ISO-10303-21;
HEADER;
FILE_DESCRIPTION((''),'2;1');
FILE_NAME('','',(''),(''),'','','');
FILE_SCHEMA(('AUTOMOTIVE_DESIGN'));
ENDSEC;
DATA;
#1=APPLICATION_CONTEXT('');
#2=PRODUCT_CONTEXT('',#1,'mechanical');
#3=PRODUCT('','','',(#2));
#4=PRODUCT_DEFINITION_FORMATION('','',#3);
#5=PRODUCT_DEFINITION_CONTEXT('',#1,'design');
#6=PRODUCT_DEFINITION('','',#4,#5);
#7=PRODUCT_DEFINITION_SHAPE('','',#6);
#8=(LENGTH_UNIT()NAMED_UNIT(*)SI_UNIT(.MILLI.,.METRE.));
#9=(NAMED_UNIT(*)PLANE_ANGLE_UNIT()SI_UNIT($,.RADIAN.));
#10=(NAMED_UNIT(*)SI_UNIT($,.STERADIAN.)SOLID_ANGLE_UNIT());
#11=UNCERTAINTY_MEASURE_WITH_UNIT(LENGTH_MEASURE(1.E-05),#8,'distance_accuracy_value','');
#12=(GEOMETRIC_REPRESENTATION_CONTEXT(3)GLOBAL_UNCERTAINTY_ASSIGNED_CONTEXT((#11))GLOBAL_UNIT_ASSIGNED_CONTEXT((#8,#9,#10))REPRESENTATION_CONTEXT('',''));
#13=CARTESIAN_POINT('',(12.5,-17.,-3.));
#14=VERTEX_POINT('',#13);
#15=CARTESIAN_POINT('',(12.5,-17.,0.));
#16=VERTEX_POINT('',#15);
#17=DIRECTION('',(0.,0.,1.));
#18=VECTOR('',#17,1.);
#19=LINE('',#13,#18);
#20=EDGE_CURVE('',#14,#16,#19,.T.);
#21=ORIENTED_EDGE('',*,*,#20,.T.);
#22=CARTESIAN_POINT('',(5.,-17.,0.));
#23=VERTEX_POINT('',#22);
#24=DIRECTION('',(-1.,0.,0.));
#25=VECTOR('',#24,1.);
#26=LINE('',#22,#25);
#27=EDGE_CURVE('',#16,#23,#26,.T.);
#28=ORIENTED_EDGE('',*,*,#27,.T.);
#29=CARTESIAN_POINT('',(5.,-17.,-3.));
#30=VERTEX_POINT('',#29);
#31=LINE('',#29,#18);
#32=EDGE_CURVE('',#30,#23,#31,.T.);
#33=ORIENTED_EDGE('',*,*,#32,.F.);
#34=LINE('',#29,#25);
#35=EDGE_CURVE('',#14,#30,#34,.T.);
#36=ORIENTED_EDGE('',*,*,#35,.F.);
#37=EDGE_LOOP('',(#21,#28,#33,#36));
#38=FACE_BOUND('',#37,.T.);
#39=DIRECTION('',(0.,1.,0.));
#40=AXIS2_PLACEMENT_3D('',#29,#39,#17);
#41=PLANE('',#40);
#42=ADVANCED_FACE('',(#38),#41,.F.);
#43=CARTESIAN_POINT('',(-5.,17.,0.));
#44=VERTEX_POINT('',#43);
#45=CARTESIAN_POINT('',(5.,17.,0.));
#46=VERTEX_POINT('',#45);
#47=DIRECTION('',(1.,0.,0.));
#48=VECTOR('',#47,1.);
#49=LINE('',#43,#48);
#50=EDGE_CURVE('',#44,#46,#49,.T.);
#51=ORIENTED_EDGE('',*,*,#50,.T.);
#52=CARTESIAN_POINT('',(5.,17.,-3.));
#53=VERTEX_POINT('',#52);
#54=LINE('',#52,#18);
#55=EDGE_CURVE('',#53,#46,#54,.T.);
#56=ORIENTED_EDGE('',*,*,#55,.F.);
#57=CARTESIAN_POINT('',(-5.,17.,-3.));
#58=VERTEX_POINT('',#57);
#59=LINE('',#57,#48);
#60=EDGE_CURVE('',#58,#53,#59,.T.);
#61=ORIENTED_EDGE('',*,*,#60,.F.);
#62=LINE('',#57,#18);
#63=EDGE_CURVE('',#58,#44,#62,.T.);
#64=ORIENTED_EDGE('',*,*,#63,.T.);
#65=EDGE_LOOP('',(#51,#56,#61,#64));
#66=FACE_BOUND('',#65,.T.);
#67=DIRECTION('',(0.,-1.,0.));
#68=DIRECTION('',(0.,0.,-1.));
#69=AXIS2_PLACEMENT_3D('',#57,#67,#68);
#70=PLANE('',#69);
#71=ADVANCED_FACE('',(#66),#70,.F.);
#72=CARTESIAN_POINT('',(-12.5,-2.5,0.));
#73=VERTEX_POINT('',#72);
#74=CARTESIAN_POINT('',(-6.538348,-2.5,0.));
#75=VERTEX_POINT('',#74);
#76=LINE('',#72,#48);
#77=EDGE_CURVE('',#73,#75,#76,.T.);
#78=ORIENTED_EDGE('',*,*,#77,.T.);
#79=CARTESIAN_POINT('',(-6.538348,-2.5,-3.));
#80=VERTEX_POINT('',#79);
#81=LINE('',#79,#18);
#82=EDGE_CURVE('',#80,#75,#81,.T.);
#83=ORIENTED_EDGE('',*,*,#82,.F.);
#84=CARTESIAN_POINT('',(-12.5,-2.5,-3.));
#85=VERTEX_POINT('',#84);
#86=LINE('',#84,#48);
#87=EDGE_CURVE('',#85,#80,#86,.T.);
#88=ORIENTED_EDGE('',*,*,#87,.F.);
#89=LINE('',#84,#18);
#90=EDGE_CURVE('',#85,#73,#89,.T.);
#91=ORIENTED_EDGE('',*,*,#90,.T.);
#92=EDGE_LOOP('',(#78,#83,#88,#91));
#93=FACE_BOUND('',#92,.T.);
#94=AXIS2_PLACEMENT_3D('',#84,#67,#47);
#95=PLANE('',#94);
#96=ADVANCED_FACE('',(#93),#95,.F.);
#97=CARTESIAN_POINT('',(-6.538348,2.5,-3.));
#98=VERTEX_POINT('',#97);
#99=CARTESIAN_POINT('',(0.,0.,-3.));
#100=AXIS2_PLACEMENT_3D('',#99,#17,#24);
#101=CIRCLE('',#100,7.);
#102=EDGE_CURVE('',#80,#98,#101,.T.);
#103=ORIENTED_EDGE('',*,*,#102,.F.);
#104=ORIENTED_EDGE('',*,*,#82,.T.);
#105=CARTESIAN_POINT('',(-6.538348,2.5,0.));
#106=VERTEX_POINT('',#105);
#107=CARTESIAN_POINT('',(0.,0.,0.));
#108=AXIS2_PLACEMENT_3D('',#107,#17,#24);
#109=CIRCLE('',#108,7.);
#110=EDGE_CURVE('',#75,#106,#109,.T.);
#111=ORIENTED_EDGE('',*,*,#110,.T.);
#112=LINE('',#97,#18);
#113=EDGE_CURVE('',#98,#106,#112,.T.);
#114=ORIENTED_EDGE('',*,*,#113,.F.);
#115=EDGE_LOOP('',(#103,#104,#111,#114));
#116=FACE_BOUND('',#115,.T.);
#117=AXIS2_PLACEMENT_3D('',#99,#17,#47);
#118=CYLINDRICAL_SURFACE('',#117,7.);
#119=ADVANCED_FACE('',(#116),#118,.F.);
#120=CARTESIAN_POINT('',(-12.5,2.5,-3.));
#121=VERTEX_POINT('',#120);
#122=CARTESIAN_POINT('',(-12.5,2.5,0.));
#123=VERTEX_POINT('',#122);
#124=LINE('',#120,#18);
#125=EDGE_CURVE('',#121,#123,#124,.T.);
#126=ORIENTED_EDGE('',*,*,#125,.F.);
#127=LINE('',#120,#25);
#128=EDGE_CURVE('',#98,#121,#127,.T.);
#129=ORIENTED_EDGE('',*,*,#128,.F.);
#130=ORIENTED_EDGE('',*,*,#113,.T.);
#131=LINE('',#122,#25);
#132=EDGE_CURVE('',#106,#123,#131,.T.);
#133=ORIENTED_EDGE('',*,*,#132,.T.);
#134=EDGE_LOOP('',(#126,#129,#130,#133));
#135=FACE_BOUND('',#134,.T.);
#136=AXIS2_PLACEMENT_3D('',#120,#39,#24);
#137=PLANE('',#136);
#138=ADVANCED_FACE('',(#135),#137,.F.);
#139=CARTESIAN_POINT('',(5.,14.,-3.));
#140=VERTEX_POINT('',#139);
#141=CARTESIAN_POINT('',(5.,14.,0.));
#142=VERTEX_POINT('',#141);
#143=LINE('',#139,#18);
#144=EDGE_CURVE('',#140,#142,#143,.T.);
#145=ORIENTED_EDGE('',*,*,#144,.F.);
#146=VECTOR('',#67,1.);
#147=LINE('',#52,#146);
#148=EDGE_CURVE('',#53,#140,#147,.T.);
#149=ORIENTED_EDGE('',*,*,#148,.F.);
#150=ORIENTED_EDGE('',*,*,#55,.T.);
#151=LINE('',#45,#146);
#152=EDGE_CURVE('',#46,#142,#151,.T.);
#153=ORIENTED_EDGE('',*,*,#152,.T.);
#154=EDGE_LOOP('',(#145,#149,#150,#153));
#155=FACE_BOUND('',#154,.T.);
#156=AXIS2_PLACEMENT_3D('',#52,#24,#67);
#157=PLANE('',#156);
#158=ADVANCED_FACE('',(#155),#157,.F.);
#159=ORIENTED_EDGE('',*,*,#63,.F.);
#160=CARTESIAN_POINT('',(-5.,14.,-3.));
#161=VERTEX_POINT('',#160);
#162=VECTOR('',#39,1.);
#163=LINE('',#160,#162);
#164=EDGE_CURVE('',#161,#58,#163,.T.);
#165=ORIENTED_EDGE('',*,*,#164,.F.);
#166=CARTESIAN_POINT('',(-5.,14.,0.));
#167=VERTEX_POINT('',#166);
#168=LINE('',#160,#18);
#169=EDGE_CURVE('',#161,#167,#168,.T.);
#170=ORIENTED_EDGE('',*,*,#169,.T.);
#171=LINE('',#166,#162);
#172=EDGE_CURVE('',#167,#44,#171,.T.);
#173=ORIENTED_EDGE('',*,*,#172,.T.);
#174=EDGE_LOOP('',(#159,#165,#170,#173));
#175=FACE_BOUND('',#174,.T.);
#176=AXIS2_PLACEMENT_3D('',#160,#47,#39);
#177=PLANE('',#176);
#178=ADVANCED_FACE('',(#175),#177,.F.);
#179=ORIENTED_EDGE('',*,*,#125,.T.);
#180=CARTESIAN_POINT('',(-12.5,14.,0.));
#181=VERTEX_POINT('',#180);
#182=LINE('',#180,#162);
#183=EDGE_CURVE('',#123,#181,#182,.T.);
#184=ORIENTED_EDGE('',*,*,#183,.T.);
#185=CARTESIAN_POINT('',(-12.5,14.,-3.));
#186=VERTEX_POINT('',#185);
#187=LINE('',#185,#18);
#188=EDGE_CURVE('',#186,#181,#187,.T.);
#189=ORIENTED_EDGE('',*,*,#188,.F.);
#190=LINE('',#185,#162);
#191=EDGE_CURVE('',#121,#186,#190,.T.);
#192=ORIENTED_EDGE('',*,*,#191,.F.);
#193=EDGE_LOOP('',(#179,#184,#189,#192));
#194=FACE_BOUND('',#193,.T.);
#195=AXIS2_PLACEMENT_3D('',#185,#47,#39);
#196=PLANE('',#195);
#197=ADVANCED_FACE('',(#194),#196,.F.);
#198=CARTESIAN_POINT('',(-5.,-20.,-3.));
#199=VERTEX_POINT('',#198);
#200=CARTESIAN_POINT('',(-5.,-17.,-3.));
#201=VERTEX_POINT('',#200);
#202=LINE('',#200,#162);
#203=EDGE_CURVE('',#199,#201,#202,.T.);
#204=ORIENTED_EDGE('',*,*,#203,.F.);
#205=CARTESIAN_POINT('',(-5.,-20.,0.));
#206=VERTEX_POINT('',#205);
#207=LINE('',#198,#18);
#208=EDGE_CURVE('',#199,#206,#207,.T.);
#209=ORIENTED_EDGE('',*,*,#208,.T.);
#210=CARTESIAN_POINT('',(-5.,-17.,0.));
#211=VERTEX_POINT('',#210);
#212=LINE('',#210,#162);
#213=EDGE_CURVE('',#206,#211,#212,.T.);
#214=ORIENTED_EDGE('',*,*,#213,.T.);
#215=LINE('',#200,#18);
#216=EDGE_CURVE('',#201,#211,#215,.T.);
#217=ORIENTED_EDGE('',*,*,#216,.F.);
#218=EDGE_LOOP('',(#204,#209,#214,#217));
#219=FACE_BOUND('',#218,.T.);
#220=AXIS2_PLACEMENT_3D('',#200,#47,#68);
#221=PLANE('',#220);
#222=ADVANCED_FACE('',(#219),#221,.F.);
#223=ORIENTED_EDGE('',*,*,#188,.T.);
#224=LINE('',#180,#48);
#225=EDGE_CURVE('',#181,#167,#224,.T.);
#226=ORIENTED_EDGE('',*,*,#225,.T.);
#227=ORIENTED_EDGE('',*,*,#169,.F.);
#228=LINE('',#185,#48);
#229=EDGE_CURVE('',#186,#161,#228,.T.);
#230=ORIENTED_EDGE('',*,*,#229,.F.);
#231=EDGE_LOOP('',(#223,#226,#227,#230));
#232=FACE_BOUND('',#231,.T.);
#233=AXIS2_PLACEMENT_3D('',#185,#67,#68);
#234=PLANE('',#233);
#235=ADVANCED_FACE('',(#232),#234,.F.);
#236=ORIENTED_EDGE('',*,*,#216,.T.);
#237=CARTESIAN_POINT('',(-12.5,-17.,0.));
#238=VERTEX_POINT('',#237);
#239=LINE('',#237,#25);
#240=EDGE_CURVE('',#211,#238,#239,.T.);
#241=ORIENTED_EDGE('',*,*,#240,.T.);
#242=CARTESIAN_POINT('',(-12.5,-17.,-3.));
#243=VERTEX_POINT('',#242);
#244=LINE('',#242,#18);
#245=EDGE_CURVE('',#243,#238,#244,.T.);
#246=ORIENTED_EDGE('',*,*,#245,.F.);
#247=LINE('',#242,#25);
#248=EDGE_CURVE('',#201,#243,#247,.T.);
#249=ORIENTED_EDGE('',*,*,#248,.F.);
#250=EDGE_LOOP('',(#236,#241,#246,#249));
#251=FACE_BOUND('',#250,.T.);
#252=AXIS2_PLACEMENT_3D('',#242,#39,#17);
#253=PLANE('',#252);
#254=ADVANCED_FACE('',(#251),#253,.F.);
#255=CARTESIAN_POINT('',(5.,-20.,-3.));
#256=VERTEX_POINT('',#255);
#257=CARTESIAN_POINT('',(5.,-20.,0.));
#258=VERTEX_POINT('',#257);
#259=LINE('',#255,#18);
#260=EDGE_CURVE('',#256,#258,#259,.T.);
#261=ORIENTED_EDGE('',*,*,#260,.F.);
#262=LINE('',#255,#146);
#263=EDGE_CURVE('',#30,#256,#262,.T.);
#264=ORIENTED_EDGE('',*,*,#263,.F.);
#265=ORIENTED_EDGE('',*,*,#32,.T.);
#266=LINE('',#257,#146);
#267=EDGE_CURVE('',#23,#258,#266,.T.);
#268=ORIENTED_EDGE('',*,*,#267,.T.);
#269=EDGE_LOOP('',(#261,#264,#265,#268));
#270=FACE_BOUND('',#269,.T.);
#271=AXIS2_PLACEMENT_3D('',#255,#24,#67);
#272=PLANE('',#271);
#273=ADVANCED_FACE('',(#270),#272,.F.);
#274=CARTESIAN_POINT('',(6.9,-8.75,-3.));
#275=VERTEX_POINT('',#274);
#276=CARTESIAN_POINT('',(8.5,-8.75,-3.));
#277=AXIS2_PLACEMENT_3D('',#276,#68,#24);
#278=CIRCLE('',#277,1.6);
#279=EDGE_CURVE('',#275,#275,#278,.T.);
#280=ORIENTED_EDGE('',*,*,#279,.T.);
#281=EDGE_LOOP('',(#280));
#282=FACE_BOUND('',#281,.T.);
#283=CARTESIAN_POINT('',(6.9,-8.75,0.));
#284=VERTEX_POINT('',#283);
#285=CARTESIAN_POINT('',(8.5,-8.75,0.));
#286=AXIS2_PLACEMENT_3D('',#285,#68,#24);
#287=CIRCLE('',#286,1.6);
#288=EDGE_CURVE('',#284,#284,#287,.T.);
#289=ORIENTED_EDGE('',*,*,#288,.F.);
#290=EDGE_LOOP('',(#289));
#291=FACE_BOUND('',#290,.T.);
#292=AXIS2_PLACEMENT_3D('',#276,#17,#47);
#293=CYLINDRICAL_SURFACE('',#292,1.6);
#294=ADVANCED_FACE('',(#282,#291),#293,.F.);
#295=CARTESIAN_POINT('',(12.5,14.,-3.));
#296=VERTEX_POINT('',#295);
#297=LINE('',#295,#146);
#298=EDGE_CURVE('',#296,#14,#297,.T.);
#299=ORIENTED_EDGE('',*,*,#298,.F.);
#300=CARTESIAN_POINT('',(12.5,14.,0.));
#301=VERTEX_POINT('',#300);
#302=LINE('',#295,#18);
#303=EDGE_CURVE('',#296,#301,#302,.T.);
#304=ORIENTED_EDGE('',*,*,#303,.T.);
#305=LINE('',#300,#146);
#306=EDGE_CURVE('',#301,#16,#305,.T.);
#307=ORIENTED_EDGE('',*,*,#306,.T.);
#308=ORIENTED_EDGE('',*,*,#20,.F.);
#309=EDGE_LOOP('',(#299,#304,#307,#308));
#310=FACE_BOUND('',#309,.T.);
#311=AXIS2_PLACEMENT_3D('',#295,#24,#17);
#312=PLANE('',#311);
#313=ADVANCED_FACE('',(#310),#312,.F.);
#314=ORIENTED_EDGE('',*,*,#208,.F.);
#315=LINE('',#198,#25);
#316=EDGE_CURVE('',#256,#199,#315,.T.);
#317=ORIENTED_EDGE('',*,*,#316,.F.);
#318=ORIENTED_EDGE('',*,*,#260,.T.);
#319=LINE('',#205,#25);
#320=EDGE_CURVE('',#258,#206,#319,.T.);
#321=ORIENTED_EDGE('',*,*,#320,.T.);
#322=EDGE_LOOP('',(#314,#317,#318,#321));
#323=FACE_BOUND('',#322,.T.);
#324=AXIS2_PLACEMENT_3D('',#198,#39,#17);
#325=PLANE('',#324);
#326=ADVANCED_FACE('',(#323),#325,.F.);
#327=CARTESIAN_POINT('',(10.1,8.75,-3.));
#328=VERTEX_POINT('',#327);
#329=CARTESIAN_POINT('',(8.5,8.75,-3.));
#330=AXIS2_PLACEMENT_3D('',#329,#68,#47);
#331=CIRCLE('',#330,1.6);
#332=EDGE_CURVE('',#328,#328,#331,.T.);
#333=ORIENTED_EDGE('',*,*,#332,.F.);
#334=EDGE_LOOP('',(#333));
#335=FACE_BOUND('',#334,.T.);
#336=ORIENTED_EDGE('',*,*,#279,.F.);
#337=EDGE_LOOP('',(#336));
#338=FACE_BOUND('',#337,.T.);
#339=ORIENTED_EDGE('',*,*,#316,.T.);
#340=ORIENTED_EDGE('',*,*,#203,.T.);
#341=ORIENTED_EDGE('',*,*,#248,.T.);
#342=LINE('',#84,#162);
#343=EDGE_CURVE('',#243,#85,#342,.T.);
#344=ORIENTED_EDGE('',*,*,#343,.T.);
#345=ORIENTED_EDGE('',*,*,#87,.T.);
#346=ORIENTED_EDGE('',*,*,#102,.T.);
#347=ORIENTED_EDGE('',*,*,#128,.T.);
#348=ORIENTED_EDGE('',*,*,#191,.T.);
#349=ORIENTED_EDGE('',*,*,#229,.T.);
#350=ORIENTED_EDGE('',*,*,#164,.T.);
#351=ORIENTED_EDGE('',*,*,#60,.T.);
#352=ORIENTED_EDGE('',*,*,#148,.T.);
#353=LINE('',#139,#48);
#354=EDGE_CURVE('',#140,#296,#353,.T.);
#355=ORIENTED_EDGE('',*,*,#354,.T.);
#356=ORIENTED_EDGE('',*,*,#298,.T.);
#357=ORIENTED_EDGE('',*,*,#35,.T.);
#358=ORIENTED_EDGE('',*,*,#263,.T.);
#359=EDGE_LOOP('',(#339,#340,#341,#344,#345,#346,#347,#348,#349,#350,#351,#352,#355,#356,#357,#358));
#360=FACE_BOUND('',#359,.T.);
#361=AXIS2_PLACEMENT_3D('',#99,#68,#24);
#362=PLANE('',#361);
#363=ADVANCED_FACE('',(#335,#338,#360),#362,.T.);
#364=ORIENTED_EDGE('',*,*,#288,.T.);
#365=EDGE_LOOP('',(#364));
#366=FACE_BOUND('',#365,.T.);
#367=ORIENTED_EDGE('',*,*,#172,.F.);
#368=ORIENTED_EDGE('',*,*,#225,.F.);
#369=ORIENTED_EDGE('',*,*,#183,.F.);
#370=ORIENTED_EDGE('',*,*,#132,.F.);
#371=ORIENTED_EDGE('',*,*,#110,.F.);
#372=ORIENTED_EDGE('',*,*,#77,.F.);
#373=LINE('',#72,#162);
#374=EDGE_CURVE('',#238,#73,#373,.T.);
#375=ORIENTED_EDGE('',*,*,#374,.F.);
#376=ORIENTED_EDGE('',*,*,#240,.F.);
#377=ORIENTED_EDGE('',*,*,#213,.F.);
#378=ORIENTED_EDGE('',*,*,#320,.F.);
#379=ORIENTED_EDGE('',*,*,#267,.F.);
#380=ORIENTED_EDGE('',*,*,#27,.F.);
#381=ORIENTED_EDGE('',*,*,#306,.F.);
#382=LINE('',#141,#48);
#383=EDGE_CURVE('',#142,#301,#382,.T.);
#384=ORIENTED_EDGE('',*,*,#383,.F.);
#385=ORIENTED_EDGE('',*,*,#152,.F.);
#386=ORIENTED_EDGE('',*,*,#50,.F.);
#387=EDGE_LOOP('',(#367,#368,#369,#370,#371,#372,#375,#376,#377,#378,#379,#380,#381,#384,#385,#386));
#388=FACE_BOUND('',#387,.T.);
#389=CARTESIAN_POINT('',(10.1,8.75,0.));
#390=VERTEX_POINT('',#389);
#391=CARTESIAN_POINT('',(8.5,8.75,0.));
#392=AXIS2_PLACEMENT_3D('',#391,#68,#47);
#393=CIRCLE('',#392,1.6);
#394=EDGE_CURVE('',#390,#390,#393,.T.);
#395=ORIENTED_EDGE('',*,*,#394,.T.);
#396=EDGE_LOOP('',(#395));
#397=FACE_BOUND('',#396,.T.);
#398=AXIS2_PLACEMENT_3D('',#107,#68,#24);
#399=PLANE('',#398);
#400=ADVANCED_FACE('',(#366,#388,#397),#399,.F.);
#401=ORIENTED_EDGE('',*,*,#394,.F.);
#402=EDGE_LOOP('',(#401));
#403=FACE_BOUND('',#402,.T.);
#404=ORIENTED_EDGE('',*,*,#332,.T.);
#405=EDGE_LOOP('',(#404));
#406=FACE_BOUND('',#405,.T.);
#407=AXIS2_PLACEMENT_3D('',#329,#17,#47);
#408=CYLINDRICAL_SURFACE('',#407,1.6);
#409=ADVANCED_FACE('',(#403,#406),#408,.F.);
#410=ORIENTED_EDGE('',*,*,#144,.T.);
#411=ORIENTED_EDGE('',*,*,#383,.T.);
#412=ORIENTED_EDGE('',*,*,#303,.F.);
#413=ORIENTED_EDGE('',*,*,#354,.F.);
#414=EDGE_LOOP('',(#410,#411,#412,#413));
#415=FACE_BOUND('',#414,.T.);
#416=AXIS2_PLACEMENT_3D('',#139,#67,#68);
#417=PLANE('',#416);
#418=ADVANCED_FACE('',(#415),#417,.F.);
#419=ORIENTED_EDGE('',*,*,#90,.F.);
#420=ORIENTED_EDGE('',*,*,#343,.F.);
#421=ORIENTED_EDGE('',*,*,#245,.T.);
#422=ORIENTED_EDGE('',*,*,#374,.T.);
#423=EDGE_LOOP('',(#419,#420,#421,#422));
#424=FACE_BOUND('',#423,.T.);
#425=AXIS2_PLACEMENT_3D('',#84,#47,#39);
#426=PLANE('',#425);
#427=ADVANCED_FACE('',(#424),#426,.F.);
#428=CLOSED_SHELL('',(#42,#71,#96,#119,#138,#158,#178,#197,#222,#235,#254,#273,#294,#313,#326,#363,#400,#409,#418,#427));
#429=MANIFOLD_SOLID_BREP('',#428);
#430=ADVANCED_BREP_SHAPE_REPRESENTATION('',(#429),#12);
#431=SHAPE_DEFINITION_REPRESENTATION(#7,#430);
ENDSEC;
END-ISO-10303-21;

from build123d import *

# Parameters (mm, degrees)
SKETCH1_R           = 1.6
BOSS_EXTRUDE1_DEPTH = 3


with BuildPart() as part:
    # Sketch1 → Boss-Extrude1 (new body)
    with BuildSketch(Plane(origin=(0, 0, 0), x_dir=(1, 0, 0), z_dir=(0, 0, -1))):
        with BuildLine():
            Line((-5, 17), (-5, 20))
            Line((-5, 20), (5, 20))
            Line((5, 20), (5, 17))
            Line((5, 17), (12.5, 17))
            Line((12.5, 17), (12.5, -14))
            Line((12.5, -14), (5, -14))
            Line((5, -14), (5, -17))
            Line((5, -17), (-5, -17))
            Line((-5, -17), (-5, -14))
            Line((-5, -14), (-12.5, -14))
            Line((-12.5, -14), (-12.5, -2.5))
            Line((-12.5, -2.5), (-6.538348415, -2.5))
            ThreePointArc((-6.538348415, -2.5), (7, 0), (-6.538348415, 2.5))
            Line((-6.538348415, 2.5), (-12.5, 2.5))
            Line((-12.5, 2.5), (-12.5, 17))
            Line((-12.5, 17), (-5, 17))
        make_face()
        with Locations(Location((8.5, 8.75, 0), (0, 0, 180))):
            Circle(SKETCH1_R, mode=Mode.SUBTRACT)
        with Locations((8.5, -8.75)):
            Circle(SKETCH1_R, mode=Mode.SUBTRACT)
    extrude(amount=BOSS_EXTRUDE1_DEPTH)


solid = part.part
